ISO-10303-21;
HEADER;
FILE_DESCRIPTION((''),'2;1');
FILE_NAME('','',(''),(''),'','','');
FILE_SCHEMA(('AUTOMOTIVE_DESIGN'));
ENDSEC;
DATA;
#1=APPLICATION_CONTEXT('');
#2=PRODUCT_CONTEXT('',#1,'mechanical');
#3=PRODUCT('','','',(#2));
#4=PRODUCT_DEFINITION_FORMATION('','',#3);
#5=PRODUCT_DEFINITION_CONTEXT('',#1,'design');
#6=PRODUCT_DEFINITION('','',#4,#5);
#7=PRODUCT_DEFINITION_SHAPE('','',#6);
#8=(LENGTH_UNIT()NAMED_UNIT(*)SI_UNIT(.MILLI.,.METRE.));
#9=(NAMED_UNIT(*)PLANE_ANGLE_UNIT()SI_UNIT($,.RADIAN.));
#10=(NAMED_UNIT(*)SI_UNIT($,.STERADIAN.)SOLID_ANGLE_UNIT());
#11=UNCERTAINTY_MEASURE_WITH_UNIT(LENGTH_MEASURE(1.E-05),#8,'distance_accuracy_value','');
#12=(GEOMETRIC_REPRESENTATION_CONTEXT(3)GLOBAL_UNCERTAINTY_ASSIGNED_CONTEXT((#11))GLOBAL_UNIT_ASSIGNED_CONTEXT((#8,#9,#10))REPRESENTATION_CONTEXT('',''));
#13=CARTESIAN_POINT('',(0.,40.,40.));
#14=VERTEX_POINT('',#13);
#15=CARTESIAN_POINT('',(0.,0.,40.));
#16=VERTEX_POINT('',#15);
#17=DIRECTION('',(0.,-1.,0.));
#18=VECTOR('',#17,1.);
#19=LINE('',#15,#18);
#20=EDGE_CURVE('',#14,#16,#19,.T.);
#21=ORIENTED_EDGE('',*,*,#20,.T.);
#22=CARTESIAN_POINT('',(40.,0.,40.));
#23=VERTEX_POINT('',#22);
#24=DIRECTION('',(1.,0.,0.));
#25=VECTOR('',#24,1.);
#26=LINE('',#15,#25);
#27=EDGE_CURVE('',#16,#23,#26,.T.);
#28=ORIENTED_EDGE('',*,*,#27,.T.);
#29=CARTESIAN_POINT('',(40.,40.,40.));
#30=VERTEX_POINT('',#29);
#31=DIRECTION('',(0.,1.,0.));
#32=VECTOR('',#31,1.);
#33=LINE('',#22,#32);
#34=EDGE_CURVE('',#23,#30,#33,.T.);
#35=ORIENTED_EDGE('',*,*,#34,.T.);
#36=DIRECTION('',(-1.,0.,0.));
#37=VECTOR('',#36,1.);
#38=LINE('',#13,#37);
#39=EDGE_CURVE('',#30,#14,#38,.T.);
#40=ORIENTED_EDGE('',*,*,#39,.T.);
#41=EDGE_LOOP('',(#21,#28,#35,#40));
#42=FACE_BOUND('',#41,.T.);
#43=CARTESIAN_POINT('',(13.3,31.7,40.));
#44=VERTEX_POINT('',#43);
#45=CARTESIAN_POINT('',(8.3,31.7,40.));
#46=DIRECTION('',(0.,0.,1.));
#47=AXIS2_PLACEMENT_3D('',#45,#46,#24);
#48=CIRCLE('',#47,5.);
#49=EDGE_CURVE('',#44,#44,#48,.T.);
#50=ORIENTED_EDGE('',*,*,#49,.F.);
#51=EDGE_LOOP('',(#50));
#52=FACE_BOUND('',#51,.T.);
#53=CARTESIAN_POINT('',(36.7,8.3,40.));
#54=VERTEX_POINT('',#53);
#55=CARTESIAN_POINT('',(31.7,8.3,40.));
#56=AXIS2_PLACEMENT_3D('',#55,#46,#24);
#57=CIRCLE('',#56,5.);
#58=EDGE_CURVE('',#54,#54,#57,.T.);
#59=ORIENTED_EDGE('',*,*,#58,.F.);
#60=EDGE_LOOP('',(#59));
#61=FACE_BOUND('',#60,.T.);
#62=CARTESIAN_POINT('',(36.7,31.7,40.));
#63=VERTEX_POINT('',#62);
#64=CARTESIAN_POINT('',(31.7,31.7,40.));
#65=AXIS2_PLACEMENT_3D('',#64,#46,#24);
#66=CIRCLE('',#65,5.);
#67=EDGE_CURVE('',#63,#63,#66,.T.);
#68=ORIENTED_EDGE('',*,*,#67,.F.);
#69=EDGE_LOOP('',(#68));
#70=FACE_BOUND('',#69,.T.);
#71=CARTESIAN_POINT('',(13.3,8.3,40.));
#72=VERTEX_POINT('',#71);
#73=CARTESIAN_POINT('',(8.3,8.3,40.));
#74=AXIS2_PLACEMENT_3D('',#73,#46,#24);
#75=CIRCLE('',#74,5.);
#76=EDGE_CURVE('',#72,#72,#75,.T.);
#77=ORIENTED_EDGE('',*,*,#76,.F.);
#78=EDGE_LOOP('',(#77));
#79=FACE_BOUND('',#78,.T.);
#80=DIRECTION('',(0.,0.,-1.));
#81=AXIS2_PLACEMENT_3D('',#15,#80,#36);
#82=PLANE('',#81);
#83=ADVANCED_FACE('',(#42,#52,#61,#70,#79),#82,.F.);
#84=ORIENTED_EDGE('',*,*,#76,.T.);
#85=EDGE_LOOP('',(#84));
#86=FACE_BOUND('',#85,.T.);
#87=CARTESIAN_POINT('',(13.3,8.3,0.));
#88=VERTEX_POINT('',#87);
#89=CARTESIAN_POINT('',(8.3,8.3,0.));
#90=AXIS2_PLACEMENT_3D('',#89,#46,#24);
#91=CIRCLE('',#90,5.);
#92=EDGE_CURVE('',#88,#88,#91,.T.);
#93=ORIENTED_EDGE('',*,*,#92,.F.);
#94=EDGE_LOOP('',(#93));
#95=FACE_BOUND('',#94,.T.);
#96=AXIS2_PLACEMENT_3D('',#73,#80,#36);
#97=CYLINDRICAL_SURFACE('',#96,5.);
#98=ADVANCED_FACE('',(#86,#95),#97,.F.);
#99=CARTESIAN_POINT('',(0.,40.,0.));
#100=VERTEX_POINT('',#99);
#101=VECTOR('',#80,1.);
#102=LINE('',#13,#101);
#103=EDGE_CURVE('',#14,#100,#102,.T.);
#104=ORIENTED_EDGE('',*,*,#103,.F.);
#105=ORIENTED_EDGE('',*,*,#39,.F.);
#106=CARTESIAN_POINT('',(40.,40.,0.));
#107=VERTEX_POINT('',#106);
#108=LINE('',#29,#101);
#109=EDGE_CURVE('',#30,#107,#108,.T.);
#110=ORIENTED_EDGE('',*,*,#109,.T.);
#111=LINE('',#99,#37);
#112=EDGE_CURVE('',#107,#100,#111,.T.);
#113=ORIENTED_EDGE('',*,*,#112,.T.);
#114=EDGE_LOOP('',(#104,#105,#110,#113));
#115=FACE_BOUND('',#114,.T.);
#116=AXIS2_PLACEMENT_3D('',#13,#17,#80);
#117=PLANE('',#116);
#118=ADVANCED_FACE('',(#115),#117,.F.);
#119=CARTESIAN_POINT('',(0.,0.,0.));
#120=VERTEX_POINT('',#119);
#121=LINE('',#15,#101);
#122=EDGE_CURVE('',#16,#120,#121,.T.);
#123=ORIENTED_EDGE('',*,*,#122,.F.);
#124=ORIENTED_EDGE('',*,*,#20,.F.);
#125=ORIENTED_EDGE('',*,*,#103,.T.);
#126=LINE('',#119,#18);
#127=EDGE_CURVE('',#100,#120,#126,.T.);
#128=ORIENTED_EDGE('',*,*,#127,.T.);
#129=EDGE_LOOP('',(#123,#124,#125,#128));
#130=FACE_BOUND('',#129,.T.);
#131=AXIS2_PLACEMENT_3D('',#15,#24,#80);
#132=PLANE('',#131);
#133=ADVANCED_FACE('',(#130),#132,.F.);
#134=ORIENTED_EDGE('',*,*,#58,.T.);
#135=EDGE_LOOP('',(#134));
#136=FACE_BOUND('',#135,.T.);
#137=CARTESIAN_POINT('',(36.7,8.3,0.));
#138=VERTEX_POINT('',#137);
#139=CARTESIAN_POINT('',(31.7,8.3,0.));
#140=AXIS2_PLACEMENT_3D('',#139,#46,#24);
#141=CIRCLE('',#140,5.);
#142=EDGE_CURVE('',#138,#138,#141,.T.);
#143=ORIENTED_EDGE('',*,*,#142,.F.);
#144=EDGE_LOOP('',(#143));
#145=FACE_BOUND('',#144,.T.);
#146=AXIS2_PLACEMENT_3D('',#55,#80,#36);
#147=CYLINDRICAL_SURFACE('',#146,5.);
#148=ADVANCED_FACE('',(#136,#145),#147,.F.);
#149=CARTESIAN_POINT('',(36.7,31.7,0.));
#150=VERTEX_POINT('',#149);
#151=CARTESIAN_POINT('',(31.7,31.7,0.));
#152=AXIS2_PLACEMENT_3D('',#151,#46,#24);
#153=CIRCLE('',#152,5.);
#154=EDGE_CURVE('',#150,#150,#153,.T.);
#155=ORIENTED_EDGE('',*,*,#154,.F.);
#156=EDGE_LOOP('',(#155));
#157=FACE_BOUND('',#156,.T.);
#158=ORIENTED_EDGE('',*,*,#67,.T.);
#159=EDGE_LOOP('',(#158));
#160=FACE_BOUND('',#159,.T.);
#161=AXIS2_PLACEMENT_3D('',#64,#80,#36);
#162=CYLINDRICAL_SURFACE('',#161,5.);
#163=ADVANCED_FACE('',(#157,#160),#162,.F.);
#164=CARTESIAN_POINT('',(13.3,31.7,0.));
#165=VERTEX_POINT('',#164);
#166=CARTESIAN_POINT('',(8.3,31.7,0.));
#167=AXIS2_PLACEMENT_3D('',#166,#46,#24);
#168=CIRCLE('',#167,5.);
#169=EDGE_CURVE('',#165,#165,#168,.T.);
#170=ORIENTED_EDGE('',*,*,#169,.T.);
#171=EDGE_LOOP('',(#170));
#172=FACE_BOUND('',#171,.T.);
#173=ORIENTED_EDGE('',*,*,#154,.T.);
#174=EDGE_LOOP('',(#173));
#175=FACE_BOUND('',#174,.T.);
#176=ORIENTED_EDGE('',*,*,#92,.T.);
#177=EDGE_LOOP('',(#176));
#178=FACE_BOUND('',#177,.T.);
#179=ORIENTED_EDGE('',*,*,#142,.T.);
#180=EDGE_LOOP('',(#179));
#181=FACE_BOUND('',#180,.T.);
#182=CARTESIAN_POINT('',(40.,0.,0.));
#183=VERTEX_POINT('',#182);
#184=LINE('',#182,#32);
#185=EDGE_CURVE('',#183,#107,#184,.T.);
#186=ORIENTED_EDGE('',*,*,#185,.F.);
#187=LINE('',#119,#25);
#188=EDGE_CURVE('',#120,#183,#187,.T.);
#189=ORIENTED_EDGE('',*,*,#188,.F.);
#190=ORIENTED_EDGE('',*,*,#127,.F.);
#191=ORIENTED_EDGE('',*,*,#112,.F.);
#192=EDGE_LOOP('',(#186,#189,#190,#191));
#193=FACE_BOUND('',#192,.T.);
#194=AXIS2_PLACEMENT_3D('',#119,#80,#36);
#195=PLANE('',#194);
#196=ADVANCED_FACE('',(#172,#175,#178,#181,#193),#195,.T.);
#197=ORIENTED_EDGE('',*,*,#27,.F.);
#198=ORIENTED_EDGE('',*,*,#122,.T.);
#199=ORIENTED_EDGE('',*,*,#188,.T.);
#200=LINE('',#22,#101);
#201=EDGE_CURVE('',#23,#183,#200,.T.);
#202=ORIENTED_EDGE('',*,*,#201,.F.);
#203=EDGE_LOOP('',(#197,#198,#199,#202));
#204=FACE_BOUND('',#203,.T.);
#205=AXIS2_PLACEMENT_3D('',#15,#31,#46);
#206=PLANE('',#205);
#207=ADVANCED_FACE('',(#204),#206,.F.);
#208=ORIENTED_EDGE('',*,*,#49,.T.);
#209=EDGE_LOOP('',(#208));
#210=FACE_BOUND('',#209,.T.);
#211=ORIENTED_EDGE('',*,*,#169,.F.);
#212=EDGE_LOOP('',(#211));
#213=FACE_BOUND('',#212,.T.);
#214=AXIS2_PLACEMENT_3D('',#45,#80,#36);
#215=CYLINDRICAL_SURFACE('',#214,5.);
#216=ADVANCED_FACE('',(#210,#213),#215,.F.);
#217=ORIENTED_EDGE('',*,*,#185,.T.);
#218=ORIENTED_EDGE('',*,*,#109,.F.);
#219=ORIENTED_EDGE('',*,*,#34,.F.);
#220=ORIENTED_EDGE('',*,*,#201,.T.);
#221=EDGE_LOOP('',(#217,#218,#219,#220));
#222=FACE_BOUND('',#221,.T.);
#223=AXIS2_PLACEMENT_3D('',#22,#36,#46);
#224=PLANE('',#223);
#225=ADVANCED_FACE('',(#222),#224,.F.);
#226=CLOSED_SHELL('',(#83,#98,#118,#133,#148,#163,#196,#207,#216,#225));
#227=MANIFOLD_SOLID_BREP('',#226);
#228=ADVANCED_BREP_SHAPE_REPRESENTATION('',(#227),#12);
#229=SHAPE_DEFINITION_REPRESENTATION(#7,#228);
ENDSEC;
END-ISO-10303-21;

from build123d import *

# Parameters (mm, degrees)
SKETCH1_W           = 40
SKETCH1_H           = 40
SKETCH1_R           = 5
BOSS_EXTRUDE1_DEPTH = 40


with BuildPart() as part:
    # Sketch1 → Boss-Extrude1 (new body)
    with BuildSketch(Plane.XY):
        with Locations((20, 20)):
            Rectangle(SKETCH1_W, SKETCH1_H)
        with Locations((8.3, 31.7)):
            Circle(SKETCH1_R, mode=Mode.SUBTRACT)
        with Locations((31.7, 31.7)):
            Circle(SKETCH1_R, mode=Mode.SUBTRACT)
        with Locations((8.3, 8.3)):
            Circle(SKETCH1_R, mode=Mode.SUBTRACT)
        with Locations((31.7, 8.3)):
            Circle(SKETCH1_R, mode=Mode.SUBTRACT)
    extrude(amount=BOSS_EXTRUDE1_DEPTH)


solid = part.part
